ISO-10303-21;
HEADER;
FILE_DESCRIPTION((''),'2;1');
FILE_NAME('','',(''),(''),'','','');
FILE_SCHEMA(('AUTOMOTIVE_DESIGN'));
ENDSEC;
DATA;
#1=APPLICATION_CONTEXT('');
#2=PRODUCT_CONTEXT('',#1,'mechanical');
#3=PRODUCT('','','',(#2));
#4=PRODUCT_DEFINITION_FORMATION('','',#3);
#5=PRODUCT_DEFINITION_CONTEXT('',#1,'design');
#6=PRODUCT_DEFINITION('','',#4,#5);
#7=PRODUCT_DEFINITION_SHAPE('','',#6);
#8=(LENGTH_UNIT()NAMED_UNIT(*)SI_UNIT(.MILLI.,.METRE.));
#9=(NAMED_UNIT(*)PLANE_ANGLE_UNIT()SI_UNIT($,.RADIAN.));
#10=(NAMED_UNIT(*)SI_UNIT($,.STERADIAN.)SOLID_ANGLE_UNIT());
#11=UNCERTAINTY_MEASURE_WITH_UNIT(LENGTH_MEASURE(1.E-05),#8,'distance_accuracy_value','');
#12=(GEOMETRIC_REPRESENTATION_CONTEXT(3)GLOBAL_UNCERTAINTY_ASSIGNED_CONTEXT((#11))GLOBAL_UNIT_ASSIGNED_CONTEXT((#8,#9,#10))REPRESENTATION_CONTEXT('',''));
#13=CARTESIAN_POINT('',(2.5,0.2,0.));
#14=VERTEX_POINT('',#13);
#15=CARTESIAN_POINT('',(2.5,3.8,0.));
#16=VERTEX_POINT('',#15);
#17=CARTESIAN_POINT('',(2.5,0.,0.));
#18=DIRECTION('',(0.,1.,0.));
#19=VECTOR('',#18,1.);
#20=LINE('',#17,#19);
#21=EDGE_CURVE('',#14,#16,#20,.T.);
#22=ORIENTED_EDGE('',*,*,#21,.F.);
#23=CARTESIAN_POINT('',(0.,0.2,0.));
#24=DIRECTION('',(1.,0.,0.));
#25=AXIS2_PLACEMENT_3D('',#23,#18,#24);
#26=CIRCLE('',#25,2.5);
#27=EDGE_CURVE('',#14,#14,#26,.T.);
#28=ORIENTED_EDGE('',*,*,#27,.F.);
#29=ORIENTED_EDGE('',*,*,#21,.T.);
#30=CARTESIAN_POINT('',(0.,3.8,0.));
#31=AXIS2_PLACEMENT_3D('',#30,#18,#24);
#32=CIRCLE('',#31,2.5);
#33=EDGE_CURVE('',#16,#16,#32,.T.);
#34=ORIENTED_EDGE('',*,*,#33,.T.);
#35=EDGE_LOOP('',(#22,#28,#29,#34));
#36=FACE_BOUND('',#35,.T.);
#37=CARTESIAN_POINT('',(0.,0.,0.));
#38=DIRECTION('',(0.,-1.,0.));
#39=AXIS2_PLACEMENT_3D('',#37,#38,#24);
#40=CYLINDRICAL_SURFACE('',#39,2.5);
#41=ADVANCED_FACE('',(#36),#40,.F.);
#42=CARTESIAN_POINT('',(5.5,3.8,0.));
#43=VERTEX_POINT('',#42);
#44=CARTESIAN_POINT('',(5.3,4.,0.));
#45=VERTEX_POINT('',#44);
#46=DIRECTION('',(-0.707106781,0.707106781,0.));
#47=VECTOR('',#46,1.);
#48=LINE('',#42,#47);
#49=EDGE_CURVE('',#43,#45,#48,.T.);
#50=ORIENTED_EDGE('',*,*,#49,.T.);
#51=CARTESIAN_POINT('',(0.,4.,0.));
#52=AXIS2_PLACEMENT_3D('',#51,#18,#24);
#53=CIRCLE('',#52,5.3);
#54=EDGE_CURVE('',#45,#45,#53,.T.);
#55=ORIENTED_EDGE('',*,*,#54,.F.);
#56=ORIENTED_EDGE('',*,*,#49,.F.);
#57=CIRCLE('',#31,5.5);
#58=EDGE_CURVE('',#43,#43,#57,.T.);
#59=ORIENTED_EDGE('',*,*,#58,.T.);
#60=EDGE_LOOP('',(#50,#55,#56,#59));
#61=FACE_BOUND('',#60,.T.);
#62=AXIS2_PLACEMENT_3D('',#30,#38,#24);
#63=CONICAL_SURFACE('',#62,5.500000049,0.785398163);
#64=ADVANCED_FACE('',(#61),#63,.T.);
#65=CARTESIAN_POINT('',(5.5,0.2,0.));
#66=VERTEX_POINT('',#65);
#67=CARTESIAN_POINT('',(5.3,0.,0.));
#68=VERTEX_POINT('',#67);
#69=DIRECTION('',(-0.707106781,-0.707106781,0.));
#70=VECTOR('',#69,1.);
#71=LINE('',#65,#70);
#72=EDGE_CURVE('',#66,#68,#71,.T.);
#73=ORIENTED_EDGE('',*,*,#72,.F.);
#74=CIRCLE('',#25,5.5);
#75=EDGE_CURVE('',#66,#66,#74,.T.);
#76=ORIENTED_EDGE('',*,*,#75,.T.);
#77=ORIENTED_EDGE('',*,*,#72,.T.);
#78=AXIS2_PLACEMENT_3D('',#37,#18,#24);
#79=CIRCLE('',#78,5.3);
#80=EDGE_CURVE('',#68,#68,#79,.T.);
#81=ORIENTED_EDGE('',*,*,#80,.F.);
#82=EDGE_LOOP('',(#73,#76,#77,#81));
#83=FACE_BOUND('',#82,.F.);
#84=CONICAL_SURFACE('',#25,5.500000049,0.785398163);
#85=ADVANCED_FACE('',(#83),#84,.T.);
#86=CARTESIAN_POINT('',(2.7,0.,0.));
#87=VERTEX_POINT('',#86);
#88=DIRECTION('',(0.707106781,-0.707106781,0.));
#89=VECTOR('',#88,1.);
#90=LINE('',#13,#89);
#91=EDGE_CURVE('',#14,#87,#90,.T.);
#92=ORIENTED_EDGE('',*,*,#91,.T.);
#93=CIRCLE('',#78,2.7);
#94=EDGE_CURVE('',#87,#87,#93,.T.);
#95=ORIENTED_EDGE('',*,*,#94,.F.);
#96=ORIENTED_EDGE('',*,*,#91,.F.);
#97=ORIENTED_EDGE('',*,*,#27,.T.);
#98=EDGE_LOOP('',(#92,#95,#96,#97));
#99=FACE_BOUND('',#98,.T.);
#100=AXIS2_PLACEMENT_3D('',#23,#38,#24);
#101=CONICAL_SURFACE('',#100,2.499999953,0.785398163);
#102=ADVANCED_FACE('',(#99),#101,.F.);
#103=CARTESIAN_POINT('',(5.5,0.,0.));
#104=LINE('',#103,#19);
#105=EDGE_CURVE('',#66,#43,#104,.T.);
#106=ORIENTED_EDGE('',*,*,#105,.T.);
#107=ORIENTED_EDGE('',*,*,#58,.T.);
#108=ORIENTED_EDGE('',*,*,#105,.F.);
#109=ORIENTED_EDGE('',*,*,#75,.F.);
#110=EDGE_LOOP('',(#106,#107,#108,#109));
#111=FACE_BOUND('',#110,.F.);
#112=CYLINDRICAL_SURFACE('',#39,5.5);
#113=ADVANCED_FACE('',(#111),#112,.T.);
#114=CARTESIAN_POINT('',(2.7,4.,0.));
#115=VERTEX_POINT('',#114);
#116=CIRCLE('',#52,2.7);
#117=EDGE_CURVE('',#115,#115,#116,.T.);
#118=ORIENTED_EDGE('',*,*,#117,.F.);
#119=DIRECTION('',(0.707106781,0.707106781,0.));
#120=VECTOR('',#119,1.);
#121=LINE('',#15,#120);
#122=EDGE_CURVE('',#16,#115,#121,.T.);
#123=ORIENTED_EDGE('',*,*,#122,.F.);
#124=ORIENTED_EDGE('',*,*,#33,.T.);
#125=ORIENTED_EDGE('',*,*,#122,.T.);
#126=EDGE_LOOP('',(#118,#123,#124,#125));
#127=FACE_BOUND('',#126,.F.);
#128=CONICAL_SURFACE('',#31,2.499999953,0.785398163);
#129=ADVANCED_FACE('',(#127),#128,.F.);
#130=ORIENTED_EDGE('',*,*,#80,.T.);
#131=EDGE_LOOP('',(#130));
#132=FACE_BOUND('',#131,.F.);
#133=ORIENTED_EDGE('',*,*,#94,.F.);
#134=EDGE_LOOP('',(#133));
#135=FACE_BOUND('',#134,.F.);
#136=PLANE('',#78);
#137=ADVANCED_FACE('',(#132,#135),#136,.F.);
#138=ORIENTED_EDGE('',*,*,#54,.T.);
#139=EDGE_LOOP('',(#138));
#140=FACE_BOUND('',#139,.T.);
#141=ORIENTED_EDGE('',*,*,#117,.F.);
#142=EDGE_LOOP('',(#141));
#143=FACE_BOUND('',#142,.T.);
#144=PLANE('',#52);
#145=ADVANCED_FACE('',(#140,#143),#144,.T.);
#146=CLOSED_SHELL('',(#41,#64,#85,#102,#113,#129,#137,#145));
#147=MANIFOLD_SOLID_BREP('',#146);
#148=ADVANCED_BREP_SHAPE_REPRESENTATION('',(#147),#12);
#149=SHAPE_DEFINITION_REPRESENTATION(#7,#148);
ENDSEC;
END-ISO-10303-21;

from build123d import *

# Parameters (mm, degrees)
SKETCH1_R           = 5.500000049
SKETCH1_R_2         = 2.499999953
BOSS_EXTRUDE1_DEPTH = 4
CHAMFER1_SIZE       = 0.2


with BuildPart() as part:
    # Sketch1 → Boss-Extrude1 (new body)
    with BuildSketch(Plane(origin=(0, 0, 0), x_dir=(1, 0, 0), z_dir=(0, 1, 0))):
        Circle(SKETCH1_R)
        Circle(SKETCH1_R_2, mode=Mode.SUBTRACT)
    extrude(amount=BOSS_EXTRUDE1_DEPTH)

    # Chamfer1
    chamfer1_edges = [part.edges().sort_by_distance(p)[0] for p in [
        (-5.500000049, 0, 0),
        (-5.500000049, 4, 0),
        (-2.499999953, 0, 0),
        (-2.499999953, 4, 0),
    ]]
    chamfer(chamfer1_edges, length=CHAMFER1_SIZE)


solid = part.part
